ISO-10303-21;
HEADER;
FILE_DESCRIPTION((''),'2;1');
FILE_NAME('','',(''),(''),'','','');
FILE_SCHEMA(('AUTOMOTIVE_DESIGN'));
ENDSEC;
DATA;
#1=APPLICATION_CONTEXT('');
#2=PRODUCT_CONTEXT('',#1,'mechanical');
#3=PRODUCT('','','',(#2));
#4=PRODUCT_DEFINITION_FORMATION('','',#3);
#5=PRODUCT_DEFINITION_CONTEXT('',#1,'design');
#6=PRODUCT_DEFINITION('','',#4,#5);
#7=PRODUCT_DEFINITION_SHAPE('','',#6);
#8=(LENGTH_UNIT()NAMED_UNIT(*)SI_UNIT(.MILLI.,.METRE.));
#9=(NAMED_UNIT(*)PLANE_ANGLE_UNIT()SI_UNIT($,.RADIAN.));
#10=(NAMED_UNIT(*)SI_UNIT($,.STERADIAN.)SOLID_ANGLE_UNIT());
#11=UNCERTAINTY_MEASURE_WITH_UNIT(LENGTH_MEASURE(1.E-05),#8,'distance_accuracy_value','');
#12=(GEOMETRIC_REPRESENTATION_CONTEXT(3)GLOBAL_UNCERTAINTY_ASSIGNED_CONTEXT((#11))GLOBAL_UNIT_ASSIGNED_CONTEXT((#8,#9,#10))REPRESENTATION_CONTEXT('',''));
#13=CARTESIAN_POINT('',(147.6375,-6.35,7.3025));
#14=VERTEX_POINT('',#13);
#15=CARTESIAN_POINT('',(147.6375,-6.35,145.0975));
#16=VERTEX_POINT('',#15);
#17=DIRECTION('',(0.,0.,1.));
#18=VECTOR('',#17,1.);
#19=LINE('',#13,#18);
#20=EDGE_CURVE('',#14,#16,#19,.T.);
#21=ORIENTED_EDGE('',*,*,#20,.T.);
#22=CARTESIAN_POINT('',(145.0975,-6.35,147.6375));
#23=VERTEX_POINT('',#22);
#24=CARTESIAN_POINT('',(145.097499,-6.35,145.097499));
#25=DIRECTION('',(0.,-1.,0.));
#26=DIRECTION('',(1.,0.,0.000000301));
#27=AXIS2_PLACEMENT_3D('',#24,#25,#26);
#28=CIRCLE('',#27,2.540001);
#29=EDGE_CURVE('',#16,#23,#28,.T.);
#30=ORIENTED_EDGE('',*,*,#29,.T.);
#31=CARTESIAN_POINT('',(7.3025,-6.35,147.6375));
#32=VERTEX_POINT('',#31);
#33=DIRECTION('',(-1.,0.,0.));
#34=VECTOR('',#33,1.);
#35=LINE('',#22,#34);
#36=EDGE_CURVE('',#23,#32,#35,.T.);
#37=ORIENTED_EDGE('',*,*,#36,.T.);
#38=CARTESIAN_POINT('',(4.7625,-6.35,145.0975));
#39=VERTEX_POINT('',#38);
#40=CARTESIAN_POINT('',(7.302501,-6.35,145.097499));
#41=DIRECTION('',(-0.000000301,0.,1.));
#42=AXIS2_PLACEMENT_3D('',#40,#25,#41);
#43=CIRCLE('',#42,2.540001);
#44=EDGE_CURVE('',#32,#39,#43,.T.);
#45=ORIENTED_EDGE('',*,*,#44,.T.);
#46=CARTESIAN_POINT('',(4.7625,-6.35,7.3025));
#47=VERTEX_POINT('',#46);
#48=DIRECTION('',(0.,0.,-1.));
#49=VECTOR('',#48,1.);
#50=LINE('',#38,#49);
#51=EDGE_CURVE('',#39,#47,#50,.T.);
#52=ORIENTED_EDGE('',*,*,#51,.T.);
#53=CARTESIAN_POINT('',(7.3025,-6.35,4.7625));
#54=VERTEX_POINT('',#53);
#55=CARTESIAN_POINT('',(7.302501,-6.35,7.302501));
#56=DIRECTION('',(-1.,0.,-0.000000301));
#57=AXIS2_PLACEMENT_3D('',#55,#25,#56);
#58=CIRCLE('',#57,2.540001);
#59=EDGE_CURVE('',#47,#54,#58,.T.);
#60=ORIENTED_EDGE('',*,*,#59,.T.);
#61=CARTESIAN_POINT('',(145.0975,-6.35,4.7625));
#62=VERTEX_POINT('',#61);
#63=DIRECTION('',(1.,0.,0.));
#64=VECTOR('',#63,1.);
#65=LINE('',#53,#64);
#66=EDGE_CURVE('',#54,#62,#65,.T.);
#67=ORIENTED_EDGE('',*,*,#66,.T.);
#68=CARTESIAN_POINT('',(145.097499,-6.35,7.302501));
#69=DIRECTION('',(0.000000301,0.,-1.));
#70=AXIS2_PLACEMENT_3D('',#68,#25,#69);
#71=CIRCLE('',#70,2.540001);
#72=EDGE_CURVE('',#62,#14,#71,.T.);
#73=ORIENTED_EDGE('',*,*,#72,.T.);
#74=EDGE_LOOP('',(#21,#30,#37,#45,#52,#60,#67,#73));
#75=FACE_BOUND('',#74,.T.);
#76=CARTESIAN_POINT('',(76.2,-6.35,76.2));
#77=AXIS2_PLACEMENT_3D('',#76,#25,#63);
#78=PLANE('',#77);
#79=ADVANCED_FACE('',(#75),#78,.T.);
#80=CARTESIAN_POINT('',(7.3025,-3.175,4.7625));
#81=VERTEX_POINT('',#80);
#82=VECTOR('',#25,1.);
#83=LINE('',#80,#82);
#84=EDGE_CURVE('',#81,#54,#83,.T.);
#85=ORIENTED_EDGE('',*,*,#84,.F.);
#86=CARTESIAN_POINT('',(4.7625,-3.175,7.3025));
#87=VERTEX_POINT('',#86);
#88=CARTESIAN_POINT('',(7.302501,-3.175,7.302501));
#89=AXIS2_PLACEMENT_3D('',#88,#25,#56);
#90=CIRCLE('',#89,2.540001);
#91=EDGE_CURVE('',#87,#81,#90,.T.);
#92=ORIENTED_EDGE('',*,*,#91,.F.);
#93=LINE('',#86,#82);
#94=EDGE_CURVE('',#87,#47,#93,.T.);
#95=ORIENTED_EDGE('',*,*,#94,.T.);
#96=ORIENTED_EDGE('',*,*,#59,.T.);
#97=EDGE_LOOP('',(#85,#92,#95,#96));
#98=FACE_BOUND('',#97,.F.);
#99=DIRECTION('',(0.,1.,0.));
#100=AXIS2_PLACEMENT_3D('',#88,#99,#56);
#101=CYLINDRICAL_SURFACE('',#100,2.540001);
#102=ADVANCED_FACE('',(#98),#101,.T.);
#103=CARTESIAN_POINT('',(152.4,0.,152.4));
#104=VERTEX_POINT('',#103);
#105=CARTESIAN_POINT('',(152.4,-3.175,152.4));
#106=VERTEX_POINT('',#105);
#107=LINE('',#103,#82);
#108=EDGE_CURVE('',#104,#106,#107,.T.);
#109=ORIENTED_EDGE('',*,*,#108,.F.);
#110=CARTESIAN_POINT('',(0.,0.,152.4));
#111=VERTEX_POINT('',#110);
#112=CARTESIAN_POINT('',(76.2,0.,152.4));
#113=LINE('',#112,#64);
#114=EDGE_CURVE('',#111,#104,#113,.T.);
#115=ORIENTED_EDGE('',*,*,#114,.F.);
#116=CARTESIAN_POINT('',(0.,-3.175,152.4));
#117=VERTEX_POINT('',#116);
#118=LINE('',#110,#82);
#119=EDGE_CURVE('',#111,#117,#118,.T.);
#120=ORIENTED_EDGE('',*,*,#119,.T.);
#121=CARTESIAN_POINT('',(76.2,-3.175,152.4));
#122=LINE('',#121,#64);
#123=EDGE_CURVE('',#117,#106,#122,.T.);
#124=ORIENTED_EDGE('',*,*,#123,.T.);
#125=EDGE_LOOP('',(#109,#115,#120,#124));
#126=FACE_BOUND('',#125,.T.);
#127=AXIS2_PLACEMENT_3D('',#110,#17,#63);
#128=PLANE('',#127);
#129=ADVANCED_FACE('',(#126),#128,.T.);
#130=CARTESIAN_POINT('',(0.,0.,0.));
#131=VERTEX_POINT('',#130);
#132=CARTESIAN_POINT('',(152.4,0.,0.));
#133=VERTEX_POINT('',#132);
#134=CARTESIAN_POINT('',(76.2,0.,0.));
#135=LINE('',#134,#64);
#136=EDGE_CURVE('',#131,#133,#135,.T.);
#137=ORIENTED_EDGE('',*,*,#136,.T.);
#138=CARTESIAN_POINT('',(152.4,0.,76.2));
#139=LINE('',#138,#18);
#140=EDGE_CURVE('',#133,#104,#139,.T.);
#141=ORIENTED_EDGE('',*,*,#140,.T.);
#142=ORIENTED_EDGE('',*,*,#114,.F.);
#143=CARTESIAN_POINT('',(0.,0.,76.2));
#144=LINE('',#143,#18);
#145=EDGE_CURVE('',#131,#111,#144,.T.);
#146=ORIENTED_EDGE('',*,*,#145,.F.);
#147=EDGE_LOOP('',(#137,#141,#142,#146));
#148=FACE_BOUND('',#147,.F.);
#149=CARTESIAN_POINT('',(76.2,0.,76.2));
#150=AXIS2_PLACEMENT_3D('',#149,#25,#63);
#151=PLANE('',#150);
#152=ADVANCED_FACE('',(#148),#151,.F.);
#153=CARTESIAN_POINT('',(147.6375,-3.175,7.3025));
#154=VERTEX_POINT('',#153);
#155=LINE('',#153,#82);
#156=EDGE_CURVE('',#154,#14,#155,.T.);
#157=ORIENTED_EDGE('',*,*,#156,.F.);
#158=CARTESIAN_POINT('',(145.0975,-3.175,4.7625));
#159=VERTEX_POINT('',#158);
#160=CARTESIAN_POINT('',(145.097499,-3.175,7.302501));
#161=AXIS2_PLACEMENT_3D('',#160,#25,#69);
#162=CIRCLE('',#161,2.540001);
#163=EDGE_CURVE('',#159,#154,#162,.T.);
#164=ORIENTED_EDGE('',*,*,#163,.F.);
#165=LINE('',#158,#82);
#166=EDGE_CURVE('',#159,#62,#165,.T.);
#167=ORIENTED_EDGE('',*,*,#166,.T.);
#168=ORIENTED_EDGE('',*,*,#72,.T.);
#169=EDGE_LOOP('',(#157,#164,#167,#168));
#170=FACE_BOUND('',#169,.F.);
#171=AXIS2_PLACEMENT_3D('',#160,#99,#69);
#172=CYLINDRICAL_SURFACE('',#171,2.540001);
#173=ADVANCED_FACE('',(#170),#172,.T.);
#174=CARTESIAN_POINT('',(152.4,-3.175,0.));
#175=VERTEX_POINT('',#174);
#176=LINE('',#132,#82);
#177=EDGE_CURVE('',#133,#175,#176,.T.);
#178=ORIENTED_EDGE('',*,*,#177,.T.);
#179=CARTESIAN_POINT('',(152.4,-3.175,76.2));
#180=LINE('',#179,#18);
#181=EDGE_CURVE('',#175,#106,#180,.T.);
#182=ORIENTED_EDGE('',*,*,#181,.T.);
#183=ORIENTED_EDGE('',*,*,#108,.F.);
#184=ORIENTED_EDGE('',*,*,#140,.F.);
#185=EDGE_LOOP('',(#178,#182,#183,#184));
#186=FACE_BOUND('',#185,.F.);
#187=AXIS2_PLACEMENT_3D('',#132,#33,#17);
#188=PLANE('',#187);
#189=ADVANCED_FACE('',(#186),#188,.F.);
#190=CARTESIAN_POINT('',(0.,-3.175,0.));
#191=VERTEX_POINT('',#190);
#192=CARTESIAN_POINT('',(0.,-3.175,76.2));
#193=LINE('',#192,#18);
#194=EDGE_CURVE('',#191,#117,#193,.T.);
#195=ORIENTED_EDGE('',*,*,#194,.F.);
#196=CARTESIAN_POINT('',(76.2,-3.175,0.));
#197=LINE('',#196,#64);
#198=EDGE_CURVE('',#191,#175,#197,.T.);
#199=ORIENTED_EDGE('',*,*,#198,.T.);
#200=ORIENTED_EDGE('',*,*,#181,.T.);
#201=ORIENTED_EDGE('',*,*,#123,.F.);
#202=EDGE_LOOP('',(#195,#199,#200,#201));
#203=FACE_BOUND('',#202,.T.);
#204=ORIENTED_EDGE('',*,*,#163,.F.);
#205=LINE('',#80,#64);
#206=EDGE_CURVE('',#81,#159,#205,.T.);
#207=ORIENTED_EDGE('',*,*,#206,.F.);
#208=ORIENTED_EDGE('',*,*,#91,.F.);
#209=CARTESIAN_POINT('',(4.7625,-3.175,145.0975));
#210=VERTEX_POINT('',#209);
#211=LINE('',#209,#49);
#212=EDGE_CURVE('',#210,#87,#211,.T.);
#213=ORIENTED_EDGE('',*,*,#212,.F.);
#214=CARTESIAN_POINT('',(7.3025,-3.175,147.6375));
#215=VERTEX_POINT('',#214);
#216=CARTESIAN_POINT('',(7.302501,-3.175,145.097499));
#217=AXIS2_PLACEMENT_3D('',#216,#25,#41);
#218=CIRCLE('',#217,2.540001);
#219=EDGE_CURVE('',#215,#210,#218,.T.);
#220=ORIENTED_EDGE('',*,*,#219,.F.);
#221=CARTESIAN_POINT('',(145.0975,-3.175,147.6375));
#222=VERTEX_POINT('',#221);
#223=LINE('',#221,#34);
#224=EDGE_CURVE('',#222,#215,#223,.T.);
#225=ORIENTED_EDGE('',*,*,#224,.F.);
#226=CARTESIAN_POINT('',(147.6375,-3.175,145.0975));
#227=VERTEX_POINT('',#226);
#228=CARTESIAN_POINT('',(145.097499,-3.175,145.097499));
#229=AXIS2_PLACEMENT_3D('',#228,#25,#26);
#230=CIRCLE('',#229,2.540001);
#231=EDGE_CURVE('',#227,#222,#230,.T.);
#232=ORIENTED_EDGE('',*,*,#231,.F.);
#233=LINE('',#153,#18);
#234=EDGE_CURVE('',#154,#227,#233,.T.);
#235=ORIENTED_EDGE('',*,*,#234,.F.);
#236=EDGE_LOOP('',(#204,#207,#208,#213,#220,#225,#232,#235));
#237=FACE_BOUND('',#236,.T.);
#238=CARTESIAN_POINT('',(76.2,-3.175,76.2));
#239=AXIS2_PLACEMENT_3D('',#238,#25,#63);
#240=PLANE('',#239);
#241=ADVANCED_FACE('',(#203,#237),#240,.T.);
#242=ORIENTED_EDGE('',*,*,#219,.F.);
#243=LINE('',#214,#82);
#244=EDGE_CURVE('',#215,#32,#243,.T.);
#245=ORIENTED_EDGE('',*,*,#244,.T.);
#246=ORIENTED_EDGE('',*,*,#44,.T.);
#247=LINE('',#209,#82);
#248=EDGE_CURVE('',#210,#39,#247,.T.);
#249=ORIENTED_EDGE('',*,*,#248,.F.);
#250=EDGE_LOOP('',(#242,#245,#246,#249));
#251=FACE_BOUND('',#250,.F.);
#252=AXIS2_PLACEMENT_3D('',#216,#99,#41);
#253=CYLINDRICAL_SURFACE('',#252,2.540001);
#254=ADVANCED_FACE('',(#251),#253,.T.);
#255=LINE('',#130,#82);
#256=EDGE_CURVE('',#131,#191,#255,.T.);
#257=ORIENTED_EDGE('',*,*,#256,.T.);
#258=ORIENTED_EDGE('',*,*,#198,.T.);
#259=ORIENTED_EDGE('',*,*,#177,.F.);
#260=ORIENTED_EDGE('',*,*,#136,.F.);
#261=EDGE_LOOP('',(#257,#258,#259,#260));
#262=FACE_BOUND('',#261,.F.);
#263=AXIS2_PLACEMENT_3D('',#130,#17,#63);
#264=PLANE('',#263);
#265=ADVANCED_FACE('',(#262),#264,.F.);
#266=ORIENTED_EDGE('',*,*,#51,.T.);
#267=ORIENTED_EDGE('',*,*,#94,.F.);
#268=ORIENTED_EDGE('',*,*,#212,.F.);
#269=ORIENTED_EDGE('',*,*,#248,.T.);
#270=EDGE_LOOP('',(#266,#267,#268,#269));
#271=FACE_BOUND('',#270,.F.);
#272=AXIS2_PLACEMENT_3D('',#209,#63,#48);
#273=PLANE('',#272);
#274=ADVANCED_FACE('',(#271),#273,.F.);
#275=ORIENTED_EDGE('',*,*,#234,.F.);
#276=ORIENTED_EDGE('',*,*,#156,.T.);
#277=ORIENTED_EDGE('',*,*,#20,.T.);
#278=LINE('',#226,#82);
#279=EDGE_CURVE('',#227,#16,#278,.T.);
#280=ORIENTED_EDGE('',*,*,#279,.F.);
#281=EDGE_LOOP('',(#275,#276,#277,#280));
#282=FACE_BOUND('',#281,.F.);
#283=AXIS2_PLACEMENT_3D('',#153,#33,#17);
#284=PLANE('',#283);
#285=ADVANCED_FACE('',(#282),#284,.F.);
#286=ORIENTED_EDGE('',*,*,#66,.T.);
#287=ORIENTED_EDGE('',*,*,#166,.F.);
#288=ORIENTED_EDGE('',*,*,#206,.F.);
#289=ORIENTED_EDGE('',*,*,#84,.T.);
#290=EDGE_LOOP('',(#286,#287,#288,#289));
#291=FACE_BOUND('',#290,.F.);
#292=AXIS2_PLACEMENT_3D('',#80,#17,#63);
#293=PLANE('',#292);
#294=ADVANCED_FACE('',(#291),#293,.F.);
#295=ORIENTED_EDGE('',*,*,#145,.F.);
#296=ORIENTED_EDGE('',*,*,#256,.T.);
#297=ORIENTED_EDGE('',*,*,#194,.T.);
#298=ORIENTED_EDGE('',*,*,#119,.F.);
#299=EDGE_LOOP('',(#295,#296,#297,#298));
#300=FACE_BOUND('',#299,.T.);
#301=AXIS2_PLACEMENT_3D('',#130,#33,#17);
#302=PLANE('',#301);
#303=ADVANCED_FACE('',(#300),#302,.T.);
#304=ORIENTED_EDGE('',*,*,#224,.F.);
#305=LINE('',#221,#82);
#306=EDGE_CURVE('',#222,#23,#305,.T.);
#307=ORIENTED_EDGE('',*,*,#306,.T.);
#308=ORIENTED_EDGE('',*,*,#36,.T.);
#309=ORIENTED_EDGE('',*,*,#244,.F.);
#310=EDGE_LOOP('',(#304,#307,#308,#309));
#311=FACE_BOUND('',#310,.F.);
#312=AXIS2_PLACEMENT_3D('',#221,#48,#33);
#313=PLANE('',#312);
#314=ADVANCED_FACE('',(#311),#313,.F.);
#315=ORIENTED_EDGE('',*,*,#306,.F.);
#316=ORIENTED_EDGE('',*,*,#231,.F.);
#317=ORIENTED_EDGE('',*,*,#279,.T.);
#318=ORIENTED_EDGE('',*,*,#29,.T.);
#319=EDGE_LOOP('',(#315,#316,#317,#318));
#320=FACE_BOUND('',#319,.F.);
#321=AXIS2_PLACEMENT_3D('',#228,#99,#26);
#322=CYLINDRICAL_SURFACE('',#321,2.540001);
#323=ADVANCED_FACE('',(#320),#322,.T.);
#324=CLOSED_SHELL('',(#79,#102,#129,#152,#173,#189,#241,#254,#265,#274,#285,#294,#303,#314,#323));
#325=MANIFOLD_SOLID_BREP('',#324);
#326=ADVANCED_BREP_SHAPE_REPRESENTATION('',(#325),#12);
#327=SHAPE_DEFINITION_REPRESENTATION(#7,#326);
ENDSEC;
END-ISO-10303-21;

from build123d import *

# Parameters (mm, degrees)
F0_W     = 152.4
F0_H     = 152.4
F1_DEPTH = 3.175
F3_DEPTH = 3.175


with BuildPart() as f1:
    # F0 (on Front) → F1 (new body)
    with BuildSketch(Plane.XZ):
        with Locations((76.2, 76.2)):
            Rectangle(F0_W, F0_H)
    extrude(amount=F1_DEPTH)

    # F2 (on face) → F3 (join)
    with BuildSketch(Plane.XZ.offset(3.175)):
        with BuildLine():
            Line((145.0975, 147.6375), (7.3025, 147.6375))
            ThreePointArc((7.3025, 147.6375), (5.506449, 146.893551), (4.7625, 145.0975))
            Line((4.7625, 145.0975), (4.7625, 7.3025))
            ThreePointArc((4.7625, 7.3025), (5.506449, 5.506449), (7.3025, 4.7625))
            Line((7.3025, 4.7625), (145.0975, 4.7625))
            ThreePointArc((145.0975, 4.7625), (146.893551, 5.506449), (147.6375, 7.3025))
            Line((147.6375, 7.3025), (147.6375, 145.0975))
            ThreePointArc((147.6375, 145.0975), (146.893551, 146.893551), (145.0975, 147.6375))
        make_face()
    extrude(amount=F3_DEPTH)


solid = f1.part
